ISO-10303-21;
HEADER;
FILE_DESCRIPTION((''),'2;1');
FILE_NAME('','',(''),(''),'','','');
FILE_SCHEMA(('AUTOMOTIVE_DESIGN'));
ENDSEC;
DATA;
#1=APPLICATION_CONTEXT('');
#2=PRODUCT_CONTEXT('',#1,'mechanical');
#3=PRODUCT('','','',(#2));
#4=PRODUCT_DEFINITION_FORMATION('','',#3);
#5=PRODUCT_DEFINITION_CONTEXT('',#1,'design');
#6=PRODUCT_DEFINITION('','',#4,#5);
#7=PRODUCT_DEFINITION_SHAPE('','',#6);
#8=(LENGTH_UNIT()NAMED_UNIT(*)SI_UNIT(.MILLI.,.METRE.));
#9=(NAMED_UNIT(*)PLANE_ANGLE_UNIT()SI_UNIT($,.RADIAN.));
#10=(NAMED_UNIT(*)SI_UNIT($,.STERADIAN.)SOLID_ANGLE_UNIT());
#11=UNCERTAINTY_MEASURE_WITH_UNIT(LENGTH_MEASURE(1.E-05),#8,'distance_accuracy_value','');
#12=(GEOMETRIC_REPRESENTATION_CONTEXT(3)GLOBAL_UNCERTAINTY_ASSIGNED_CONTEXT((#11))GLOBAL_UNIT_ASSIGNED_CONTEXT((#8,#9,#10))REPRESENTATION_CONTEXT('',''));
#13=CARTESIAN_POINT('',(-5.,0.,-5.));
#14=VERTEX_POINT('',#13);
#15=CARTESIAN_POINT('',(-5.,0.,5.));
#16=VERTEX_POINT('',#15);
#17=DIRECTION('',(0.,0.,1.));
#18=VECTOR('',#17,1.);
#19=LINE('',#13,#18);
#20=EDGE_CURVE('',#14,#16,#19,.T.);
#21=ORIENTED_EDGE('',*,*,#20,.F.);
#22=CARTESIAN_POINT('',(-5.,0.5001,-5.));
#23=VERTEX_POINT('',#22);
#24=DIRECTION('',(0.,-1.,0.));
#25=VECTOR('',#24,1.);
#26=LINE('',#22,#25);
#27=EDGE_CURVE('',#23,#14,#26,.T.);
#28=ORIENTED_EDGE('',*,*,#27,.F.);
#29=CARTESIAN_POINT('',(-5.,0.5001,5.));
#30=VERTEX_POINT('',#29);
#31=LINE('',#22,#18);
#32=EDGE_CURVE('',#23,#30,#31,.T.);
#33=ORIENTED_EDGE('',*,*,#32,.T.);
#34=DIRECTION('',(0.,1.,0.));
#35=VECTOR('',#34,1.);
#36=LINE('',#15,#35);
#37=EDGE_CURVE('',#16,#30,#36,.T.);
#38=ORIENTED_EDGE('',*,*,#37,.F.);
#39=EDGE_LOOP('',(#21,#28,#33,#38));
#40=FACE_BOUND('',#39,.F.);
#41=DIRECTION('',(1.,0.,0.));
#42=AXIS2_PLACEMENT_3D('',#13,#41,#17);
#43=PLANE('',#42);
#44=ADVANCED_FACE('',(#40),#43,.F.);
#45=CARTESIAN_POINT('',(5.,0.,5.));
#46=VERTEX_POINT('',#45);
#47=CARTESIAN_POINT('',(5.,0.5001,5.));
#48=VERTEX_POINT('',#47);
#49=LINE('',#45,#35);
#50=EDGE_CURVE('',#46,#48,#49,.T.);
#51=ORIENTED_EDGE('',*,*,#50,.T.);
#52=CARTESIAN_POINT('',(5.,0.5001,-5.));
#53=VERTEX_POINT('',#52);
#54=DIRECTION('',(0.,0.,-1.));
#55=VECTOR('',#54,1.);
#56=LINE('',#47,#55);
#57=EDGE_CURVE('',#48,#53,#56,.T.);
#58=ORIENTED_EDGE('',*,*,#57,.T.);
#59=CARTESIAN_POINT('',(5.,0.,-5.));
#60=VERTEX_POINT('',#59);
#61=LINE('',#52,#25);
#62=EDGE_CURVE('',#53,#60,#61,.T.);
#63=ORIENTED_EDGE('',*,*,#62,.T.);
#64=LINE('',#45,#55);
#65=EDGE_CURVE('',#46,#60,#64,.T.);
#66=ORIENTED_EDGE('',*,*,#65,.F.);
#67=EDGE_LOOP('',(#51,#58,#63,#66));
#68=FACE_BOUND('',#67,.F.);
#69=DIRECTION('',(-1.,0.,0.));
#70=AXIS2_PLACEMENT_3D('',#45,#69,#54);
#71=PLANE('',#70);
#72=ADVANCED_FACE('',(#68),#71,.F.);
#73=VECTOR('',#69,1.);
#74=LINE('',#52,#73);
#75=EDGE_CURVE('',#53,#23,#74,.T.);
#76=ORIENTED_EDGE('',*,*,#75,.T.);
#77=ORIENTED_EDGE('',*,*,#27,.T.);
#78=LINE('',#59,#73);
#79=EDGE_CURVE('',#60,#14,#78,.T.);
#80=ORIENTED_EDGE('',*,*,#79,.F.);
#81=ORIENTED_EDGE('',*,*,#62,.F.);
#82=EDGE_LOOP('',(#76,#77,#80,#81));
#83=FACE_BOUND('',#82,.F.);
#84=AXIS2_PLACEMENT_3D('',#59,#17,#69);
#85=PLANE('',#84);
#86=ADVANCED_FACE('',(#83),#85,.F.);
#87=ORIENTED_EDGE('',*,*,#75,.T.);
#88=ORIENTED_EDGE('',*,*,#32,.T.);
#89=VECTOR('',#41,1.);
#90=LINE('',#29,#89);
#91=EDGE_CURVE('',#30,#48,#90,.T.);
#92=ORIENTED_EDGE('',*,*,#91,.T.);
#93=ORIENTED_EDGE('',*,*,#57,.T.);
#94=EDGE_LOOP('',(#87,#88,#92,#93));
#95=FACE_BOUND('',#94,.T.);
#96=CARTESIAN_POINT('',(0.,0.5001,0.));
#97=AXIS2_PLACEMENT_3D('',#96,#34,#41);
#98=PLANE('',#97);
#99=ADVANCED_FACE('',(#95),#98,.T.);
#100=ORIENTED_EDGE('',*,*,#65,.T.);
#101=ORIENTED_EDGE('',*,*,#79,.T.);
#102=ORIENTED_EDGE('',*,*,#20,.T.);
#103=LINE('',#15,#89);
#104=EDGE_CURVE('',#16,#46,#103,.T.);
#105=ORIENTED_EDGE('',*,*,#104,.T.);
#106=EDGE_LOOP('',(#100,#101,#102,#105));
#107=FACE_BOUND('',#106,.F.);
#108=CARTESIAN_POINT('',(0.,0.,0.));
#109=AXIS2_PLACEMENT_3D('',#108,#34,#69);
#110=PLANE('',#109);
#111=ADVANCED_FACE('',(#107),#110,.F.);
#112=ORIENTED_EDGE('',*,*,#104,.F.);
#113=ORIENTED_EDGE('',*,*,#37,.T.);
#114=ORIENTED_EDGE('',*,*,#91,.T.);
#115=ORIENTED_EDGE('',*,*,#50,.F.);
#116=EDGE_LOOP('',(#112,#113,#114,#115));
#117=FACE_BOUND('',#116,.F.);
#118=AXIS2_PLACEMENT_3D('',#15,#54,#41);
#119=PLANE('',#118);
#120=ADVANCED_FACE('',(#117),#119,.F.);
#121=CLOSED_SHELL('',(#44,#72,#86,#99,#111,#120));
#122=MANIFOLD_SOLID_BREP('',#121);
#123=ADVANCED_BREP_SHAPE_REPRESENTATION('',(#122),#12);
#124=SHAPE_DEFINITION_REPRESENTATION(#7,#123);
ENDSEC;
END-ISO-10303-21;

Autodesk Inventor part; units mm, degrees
ref_plane "YZ Plane" through (0, 0, 0) normal (1, 0, 0) x (0, 1, 0)
ref_plane "XZ Plane" through (0, 0, 0) normal (0, 1, 0) x (-1, 0, 0)
ref_plane "XY Plane" through (0, 0, 0) normal (0, 0, 1) x (1, 0, 0)
sketch "Sketch1" plane through (0, 0, 0) normal (0, 1, 0) x (-1, 0, 0)
  line L0 (5, 5) -> (-5, 5)
  line L1 (-5, 5) -> (-5, -5)
  line L2 (-5, -5) -> (5, -5)
  line L3 (5, -5) -> (5, 5)
  line L4 (5, 5) -> (-5, -5) construction
  line L5 (-5, 5) -> (5, -5) construction
  point P0 (0, 0)
  dimension "d6" = 10
  dimension "d7" = 10
extrude "Extrusion1" add sketch "Sketch1" along normal blind 0.5
sketch "Sketch2" plane through (0, 0.5, 0) normal (0, 1, 0) x (1, 0, 0)
  line L0 (-5, -5) -> (5, -5)
  line L1 (5, -5) -> (5, 5)
  line L2 (5, 5) -> (-5, 5)
  line L3 (-5, 5) -> (-5, -5)
  line L4 (-5, -5) -> (5, 5) construction
  line L5 (5, -5) -> (-5, 5) construction
  point P0 (0, 0)
  dimension "d8" = 10
  dimension "d9" = 10
extrude "Extrusion2" add sketch "Sketch2" along normal blind 0.0001
properties part number "chip-blank-20x20" material "Silicon Nitride"
